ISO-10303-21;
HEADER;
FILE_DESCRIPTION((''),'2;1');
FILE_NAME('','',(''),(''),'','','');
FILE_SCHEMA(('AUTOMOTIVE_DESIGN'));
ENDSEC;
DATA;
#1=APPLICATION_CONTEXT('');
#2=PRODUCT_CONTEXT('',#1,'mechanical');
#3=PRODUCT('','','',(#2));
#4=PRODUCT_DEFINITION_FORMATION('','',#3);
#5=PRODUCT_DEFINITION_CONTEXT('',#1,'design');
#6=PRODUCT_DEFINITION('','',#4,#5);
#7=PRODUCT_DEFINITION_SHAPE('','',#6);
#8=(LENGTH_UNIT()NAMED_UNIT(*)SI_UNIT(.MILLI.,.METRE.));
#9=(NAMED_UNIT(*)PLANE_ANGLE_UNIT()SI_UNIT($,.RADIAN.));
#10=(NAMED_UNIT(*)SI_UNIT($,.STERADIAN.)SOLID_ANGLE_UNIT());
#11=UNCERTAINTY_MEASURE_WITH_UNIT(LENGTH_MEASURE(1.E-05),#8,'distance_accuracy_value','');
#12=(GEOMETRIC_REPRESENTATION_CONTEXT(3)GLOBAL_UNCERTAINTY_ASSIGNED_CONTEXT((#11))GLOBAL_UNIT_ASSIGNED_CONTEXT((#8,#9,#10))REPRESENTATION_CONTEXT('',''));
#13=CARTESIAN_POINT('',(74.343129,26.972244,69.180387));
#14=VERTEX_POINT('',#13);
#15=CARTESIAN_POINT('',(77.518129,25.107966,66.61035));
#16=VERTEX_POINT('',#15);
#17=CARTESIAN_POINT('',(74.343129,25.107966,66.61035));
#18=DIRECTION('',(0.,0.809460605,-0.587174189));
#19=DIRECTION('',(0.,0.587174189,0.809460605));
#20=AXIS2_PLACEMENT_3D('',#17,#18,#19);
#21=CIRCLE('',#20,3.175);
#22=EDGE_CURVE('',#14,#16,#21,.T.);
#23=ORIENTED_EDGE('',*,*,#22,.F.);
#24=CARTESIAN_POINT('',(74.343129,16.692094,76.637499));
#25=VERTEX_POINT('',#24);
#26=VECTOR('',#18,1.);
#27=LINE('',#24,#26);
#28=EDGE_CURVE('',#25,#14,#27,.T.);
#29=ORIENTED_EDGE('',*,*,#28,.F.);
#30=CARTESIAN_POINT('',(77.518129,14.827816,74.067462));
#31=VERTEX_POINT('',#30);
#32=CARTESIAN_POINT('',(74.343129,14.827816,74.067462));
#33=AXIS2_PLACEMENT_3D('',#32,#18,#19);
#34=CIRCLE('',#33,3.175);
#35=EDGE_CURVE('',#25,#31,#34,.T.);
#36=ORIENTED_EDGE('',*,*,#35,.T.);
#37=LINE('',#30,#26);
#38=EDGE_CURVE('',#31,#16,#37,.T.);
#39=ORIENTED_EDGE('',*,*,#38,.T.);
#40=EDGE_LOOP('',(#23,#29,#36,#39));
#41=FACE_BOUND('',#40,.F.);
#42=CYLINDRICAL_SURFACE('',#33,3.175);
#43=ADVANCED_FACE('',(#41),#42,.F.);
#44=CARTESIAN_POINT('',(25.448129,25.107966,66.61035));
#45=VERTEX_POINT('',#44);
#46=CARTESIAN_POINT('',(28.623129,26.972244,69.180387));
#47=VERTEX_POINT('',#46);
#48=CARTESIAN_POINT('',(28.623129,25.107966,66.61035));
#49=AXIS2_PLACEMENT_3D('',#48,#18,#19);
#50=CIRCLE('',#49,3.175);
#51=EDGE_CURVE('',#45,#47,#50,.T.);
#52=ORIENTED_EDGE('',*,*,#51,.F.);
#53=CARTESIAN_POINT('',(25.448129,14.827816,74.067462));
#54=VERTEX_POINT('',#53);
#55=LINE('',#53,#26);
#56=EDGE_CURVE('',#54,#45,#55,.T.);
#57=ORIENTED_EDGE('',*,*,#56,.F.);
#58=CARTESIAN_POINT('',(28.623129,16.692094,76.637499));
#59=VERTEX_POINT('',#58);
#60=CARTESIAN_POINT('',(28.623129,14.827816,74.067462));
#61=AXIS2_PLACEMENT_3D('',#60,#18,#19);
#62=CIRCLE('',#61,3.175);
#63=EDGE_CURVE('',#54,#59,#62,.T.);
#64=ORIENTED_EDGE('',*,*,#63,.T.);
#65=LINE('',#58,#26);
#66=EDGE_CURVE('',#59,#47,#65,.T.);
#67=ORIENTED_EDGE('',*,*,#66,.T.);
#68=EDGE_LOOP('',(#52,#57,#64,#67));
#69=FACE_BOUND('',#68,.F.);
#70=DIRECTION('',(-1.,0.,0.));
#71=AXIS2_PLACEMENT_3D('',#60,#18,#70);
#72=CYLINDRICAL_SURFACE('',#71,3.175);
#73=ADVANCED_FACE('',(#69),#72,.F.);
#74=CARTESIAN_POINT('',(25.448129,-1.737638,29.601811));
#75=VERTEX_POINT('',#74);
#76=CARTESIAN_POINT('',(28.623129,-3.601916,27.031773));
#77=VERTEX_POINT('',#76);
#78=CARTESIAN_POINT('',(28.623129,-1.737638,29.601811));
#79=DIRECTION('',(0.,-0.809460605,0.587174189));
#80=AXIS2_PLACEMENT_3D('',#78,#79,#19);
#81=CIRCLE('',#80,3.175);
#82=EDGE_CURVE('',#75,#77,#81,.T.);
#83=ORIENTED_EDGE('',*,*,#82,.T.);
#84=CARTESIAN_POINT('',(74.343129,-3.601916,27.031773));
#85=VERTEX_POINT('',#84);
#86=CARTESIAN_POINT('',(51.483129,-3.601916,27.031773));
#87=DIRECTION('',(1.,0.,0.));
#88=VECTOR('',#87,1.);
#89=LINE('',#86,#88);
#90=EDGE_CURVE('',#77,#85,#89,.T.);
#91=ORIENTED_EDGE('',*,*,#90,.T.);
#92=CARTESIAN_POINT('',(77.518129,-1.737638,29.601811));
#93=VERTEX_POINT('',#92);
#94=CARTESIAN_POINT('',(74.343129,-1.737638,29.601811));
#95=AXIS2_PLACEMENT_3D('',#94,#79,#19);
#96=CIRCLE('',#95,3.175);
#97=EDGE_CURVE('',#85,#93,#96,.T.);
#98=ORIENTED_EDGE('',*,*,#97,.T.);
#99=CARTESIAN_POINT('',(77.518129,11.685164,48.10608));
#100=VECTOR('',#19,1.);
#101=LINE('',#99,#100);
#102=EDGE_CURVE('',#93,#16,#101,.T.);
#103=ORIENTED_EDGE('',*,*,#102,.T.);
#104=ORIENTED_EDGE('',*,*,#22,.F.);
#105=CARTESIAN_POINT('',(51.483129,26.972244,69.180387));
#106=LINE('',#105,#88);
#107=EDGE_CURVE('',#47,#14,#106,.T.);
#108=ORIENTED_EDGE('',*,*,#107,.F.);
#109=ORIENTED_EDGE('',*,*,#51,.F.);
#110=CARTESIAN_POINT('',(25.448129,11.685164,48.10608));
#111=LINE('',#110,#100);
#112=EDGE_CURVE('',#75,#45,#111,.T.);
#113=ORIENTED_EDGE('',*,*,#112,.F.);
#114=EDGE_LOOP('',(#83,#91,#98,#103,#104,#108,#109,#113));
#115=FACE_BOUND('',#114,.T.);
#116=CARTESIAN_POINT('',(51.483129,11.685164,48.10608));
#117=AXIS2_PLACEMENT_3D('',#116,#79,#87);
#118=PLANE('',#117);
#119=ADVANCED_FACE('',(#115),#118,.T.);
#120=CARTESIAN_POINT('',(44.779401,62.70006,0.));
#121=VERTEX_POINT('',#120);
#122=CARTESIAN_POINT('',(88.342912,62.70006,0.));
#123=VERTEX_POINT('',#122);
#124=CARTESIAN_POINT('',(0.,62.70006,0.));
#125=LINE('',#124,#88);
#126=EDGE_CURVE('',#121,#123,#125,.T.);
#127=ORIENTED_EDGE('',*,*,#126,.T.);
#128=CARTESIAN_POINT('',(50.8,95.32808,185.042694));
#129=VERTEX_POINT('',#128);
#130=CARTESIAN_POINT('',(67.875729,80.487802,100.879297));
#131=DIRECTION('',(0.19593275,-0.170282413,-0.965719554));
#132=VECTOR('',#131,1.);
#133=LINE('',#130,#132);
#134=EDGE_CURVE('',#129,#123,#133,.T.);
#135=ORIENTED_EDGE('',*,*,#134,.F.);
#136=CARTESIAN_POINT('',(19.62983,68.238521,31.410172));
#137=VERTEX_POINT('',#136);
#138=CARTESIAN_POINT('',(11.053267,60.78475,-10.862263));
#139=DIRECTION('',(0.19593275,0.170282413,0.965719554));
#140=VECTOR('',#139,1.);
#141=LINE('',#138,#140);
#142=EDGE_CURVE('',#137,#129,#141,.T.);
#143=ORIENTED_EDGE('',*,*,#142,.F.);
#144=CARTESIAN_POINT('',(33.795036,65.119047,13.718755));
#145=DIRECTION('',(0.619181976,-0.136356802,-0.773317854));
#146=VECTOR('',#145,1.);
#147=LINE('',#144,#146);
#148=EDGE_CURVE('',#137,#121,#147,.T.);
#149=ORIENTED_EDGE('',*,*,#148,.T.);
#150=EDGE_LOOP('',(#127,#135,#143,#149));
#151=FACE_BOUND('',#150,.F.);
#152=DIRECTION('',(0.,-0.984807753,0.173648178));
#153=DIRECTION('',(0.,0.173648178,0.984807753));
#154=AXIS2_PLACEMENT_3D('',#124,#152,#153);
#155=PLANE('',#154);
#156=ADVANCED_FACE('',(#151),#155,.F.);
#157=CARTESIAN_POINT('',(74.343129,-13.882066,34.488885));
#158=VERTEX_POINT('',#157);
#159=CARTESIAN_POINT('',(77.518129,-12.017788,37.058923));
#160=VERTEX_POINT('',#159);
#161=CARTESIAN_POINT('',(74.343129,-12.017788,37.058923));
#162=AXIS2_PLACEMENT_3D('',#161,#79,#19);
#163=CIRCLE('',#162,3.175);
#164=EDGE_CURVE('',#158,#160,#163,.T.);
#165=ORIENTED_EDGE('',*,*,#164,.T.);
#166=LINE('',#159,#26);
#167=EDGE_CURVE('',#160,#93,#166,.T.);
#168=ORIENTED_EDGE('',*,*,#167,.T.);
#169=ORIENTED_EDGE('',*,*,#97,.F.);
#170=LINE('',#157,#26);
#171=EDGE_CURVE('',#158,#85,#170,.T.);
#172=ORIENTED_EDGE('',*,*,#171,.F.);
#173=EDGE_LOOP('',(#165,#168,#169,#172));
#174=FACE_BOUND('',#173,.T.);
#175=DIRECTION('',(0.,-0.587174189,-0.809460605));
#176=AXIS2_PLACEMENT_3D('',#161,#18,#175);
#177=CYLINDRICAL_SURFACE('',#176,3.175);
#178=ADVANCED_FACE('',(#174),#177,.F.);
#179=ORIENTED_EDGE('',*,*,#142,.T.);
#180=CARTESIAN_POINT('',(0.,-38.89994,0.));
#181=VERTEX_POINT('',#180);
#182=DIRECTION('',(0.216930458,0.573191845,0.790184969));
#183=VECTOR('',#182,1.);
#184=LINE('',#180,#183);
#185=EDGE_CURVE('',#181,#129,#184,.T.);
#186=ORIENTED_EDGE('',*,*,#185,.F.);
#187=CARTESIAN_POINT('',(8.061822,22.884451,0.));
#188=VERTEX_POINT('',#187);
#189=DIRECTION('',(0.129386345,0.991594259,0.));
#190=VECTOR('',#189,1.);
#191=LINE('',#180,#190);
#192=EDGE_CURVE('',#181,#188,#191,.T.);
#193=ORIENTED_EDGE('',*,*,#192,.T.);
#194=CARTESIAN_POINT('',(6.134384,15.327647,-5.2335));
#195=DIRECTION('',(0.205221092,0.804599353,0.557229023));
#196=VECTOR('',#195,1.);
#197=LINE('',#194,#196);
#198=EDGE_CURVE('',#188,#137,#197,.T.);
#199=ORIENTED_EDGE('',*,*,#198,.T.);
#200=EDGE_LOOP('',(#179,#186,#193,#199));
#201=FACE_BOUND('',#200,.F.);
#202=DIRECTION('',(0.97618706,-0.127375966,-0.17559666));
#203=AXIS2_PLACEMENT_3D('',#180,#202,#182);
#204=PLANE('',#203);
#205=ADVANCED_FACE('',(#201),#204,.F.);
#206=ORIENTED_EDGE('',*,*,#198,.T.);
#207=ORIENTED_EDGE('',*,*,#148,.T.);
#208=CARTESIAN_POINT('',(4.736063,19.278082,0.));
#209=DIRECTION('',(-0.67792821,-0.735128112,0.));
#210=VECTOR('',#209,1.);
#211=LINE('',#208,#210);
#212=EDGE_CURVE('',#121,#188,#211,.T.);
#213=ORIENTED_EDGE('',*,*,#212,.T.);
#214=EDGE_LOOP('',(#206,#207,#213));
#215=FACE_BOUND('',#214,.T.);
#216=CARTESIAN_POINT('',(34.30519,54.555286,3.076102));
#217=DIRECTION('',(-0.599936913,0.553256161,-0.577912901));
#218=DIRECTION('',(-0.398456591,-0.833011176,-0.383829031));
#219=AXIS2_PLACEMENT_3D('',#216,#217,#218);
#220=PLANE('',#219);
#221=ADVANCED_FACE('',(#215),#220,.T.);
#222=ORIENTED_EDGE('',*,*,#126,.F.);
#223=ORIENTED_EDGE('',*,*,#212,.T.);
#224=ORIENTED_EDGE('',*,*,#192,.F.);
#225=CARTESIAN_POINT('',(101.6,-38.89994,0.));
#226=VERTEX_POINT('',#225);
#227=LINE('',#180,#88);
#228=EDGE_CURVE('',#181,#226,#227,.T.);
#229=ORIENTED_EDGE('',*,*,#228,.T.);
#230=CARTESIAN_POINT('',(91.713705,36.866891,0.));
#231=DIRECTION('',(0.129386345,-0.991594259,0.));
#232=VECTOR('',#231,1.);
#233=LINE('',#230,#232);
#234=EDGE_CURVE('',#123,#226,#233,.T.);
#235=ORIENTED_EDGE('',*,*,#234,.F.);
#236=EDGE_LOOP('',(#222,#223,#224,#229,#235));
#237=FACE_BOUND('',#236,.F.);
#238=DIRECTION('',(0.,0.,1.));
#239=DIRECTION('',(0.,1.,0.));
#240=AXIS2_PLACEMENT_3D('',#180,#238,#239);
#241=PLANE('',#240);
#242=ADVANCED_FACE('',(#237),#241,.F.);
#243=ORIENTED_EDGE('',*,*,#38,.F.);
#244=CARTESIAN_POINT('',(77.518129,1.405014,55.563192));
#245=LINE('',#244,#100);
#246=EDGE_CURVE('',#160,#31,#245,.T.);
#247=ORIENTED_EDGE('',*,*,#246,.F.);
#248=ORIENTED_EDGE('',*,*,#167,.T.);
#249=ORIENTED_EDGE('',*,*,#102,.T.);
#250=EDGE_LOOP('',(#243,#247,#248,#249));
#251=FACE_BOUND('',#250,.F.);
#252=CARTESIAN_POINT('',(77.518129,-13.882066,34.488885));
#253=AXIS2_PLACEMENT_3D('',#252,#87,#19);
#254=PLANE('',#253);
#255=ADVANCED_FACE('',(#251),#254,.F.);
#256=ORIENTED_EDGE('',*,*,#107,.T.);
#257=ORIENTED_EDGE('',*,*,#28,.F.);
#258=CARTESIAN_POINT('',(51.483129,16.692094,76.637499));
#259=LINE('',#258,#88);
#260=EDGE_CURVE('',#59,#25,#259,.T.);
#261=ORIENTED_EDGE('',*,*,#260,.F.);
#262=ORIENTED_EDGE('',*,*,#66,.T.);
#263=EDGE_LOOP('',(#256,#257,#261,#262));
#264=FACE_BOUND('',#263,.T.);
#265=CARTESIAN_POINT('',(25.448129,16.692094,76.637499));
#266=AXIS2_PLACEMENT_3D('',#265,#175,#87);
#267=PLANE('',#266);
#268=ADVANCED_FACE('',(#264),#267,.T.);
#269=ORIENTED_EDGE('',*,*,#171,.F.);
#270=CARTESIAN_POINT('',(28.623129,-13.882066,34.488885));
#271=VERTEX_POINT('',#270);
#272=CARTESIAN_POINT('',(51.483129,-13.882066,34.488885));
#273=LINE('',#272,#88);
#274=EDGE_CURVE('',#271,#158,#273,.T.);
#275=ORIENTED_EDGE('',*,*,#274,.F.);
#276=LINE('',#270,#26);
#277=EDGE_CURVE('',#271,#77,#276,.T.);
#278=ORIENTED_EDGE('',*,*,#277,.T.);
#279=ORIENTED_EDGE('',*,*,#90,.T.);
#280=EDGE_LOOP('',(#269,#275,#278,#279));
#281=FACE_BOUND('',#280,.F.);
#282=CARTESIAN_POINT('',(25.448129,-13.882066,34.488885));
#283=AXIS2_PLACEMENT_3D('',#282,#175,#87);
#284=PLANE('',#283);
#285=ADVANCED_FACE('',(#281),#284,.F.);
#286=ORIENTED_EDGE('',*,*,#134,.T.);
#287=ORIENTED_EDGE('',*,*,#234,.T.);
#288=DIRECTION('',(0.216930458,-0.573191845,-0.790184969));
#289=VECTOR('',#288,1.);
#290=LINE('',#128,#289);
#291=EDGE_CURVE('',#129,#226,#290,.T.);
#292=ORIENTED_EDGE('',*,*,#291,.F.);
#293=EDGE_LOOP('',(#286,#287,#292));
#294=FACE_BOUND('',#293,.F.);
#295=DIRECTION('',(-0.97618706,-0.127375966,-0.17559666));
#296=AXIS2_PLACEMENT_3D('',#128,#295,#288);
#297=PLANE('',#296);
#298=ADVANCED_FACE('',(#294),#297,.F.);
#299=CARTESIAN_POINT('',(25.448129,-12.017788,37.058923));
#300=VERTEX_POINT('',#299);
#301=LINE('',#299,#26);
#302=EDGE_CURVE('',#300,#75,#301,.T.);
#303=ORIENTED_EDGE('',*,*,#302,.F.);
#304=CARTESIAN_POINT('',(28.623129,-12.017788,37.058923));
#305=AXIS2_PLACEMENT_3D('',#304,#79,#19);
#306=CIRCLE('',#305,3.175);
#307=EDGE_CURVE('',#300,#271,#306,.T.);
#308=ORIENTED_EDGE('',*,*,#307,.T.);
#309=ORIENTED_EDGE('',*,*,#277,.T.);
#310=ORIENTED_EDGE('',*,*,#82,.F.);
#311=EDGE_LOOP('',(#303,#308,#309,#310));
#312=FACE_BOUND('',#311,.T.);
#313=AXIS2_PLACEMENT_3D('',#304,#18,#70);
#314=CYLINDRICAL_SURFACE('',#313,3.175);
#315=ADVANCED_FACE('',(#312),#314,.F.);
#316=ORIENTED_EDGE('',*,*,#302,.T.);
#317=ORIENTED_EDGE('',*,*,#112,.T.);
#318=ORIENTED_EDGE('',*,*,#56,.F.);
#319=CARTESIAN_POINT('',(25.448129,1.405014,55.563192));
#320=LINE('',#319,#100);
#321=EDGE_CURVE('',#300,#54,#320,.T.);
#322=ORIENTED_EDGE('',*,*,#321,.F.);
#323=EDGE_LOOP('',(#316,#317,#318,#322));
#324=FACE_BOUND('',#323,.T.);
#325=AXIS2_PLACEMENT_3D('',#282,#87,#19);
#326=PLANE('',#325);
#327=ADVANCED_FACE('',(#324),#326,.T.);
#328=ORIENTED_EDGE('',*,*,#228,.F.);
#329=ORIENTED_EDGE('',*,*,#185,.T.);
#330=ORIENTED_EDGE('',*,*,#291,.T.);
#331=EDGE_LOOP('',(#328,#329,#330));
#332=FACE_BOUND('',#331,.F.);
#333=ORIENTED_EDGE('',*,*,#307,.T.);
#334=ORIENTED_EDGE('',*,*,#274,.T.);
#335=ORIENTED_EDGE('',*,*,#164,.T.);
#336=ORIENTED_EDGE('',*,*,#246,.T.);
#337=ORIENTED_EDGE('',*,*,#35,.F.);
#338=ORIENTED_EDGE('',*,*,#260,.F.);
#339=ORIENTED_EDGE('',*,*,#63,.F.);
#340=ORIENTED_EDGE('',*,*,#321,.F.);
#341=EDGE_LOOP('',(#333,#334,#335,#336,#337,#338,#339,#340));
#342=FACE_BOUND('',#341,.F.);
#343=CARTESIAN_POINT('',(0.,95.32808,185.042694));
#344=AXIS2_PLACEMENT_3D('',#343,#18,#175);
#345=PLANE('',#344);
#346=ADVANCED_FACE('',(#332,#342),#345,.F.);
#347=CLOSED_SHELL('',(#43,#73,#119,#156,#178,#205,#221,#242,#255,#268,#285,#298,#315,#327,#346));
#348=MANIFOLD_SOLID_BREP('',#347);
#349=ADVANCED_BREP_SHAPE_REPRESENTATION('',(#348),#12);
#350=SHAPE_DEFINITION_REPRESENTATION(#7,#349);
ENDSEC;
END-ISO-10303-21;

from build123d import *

# Parameters (mm, degrees)
F1_DEPTH  = 101.6
F3_DEPTH  = 108.6532940183
F4_W      = 52.07
F4_H      = 52.07
F5_DEPTH  = 12.7
F6_R      = 3.175
F7_R      = 3.175
F10_W     = 114.2207605299
F10_H     = 103.8881577551
F11_DEPTH = 25.4


with BuildPart() as f1:
    # F0 (on Right) → F1 (new body)
    with BuildSketch(Plane.YZ):
        Polygon((95.3280799156, 185.0426944046), (-38.8999396909, 0), (62.7000603091, 0), align=None)
    extrude(amount=F1_DEPTH)

    # F2 (on face) → F3 (cut, through all)
    with BuildSketch(Plane(origin=(0, -25.4882702356, 18.4889225048), x_dir=(1, 0, 0), z_dir=(0, -0.8094606054, 0.587174189))):
        Polygon((0, 205.7589594597), (0, -22.8410405403), (50.8, 205.7589594597), align=None)
        Polygon((101.6, 205.7589594597), (50.8, 205.7589594597), (101.6, -22.8410405403), align=None)
    extrude(amount=-F3_DEPTH, mode=Mode.SUBTRACT)

    # F4 (on face) → F5 (cut)
    with BuildSketch(Plane(origin=(0, -25.4882702356, 18.4889225048), x_dir=(1, 0, 0), z_dir=(0, -0.8094606054, 0.587174189))):
        with Locations((51.483128581, 45.8012033367)):
            Rectangle(F4_W, F4_H)
    extrude(amount=-F5_DEPTH, mode=Mode.SUBTRACT)

    # F6
    f6_edges = [f1.edges().sort_by_distance(p)[0] for p in [
        (25.448129, 21.832169, 72.908943),
    ]]
    fillet(f6_edges, radius=F6_R)

    # F7
    f7_edges = [f1.edges().sort_by_distance(p)[0] for p in [
        (25.448129, -8.741991, 30.760329),
        (77.518129, -8.741991, 30.760329),
        (77.518129, 21.832169, 72.908943),
    ]]
    fillet(f7_edges, radius=F7_R)

    # F10 (on face) → F11 (cut)
    with BuildSketch(Plane(origin=(-4.6941337345, 4.3288858466, -4.5218095202), x_dir=(-0.3984565906, -0.8330111765, -0.3838290314), z_dir=(-0.5999369127, 0.5532561612, -0.5779129008))):
        with Locations((-60.2949896129, -21.5842779726)):
            Rectangle(F10_W, F10_H)
    extrude(amount=F11_DEPTH, mode=Mode.SUBTRACT)


solid = f1.part
